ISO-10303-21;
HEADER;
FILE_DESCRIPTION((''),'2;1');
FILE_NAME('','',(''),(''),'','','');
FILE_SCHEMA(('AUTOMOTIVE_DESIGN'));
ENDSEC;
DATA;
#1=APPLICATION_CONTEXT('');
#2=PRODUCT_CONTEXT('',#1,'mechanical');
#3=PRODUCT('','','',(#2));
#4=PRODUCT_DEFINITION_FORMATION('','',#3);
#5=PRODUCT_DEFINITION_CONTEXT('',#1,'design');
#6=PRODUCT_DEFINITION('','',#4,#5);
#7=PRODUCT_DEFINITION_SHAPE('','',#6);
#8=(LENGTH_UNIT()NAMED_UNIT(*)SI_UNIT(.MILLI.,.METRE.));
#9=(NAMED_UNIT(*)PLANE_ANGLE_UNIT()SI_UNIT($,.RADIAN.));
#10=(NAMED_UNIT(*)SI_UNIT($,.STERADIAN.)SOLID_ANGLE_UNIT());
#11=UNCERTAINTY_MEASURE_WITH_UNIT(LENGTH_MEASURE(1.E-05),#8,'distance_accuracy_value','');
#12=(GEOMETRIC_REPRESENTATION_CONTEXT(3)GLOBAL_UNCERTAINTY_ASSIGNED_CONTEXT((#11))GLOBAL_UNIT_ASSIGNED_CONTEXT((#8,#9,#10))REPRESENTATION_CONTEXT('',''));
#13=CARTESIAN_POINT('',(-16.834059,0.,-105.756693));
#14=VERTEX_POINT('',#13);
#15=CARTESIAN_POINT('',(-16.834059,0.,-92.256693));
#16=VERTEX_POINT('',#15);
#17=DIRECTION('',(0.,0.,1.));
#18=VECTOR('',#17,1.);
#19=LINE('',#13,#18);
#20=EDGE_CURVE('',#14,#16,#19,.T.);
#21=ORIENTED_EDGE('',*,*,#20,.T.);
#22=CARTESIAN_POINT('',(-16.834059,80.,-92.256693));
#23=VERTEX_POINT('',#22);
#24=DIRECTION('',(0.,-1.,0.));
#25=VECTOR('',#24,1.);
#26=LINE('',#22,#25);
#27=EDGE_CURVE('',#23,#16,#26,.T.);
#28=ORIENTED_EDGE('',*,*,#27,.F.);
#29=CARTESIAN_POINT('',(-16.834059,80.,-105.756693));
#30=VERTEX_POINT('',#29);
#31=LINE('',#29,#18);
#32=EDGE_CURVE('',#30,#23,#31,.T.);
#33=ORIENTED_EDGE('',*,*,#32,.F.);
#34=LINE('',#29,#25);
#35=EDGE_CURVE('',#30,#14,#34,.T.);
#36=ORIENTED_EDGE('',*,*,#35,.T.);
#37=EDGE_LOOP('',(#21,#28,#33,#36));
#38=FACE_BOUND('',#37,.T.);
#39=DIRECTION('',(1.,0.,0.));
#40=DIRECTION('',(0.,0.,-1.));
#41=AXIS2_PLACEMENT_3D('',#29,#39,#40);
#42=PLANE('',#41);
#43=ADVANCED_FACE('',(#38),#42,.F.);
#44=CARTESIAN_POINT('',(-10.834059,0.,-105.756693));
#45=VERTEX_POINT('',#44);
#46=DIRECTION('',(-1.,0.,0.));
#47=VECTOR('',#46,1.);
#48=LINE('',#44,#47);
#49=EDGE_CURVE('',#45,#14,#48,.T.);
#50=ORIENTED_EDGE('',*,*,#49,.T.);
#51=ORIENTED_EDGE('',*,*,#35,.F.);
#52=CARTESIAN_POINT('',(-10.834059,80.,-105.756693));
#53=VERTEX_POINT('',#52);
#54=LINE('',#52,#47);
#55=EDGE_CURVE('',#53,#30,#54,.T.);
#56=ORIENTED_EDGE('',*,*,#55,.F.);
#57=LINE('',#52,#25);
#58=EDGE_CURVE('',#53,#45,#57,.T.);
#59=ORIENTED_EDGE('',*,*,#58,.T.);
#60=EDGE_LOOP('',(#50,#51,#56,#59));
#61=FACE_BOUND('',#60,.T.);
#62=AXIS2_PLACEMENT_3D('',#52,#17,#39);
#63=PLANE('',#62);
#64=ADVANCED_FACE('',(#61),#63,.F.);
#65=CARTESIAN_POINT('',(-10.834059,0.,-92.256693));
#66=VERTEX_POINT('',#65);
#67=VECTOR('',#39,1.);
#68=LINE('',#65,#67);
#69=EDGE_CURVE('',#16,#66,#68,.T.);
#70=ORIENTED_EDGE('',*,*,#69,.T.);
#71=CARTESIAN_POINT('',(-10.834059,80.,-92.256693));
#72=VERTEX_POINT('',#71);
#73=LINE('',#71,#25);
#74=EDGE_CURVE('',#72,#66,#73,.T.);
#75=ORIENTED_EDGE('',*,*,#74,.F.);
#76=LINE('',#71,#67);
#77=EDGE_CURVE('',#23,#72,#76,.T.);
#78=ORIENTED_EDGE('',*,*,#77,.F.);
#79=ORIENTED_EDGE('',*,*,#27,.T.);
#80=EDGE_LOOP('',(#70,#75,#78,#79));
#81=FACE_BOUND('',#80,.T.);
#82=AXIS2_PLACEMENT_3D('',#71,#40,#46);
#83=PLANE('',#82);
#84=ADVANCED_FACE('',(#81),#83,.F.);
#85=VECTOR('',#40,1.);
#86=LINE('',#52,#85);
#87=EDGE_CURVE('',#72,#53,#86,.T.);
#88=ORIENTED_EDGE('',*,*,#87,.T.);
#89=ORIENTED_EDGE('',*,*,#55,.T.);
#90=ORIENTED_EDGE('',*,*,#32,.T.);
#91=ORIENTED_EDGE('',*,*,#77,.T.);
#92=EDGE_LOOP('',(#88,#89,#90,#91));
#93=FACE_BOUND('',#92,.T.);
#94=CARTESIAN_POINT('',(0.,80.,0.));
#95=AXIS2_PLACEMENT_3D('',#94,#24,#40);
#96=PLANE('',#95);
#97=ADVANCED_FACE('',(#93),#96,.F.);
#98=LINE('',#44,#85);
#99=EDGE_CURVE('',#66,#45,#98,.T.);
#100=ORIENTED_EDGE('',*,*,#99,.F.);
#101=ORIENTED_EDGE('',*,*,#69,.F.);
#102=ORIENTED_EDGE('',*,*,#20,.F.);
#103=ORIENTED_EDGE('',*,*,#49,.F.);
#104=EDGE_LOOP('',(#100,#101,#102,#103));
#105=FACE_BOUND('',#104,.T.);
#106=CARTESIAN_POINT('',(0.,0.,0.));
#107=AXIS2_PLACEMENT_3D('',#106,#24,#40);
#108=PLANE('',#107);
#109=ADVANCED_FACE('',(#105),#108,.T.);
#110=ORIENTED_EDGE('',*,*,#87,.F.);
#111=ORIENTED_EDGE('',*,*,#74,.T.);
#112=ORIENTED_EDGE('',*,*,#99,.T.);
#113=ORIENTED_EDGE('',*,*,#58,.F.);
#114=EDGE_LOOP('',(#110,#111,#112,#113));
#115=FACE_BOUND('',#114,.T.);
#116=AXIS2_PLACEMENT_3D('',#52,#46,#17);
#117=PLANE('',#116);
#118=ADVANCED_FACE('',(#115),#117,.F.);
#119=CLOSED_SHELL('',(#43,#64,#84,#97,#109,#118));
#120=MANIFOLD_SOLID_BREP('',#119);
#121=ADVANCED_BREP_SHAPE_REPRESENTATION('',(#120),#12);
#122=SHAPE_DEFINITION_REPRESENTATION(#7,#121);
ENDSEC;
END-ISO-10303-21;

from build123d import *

# Parameters (mm, degrees)
PROFILE_SKETCH_W      = 6
PROFILE_SKETCH_H      = 13.5
PROFILE_EXTRUDE_DEPTH = 80


with BuildPart() as part:
    # Profile Sketch → Profile Extrude (new body)
    with BuildSketch(Plane(origin=(-13.83405858, 0, -105.75669297), x_dir=(-1, 0, 0), z_dir=(0, 1, 0))):
        with Locations((0, 6.75)):
            Rectangle(PROFILE_SKETCH_W, PROFILE_SKETCH_H)
    extrude(amount=PROFILE_EXTRUDE_DEPTH)


solid = part.part
